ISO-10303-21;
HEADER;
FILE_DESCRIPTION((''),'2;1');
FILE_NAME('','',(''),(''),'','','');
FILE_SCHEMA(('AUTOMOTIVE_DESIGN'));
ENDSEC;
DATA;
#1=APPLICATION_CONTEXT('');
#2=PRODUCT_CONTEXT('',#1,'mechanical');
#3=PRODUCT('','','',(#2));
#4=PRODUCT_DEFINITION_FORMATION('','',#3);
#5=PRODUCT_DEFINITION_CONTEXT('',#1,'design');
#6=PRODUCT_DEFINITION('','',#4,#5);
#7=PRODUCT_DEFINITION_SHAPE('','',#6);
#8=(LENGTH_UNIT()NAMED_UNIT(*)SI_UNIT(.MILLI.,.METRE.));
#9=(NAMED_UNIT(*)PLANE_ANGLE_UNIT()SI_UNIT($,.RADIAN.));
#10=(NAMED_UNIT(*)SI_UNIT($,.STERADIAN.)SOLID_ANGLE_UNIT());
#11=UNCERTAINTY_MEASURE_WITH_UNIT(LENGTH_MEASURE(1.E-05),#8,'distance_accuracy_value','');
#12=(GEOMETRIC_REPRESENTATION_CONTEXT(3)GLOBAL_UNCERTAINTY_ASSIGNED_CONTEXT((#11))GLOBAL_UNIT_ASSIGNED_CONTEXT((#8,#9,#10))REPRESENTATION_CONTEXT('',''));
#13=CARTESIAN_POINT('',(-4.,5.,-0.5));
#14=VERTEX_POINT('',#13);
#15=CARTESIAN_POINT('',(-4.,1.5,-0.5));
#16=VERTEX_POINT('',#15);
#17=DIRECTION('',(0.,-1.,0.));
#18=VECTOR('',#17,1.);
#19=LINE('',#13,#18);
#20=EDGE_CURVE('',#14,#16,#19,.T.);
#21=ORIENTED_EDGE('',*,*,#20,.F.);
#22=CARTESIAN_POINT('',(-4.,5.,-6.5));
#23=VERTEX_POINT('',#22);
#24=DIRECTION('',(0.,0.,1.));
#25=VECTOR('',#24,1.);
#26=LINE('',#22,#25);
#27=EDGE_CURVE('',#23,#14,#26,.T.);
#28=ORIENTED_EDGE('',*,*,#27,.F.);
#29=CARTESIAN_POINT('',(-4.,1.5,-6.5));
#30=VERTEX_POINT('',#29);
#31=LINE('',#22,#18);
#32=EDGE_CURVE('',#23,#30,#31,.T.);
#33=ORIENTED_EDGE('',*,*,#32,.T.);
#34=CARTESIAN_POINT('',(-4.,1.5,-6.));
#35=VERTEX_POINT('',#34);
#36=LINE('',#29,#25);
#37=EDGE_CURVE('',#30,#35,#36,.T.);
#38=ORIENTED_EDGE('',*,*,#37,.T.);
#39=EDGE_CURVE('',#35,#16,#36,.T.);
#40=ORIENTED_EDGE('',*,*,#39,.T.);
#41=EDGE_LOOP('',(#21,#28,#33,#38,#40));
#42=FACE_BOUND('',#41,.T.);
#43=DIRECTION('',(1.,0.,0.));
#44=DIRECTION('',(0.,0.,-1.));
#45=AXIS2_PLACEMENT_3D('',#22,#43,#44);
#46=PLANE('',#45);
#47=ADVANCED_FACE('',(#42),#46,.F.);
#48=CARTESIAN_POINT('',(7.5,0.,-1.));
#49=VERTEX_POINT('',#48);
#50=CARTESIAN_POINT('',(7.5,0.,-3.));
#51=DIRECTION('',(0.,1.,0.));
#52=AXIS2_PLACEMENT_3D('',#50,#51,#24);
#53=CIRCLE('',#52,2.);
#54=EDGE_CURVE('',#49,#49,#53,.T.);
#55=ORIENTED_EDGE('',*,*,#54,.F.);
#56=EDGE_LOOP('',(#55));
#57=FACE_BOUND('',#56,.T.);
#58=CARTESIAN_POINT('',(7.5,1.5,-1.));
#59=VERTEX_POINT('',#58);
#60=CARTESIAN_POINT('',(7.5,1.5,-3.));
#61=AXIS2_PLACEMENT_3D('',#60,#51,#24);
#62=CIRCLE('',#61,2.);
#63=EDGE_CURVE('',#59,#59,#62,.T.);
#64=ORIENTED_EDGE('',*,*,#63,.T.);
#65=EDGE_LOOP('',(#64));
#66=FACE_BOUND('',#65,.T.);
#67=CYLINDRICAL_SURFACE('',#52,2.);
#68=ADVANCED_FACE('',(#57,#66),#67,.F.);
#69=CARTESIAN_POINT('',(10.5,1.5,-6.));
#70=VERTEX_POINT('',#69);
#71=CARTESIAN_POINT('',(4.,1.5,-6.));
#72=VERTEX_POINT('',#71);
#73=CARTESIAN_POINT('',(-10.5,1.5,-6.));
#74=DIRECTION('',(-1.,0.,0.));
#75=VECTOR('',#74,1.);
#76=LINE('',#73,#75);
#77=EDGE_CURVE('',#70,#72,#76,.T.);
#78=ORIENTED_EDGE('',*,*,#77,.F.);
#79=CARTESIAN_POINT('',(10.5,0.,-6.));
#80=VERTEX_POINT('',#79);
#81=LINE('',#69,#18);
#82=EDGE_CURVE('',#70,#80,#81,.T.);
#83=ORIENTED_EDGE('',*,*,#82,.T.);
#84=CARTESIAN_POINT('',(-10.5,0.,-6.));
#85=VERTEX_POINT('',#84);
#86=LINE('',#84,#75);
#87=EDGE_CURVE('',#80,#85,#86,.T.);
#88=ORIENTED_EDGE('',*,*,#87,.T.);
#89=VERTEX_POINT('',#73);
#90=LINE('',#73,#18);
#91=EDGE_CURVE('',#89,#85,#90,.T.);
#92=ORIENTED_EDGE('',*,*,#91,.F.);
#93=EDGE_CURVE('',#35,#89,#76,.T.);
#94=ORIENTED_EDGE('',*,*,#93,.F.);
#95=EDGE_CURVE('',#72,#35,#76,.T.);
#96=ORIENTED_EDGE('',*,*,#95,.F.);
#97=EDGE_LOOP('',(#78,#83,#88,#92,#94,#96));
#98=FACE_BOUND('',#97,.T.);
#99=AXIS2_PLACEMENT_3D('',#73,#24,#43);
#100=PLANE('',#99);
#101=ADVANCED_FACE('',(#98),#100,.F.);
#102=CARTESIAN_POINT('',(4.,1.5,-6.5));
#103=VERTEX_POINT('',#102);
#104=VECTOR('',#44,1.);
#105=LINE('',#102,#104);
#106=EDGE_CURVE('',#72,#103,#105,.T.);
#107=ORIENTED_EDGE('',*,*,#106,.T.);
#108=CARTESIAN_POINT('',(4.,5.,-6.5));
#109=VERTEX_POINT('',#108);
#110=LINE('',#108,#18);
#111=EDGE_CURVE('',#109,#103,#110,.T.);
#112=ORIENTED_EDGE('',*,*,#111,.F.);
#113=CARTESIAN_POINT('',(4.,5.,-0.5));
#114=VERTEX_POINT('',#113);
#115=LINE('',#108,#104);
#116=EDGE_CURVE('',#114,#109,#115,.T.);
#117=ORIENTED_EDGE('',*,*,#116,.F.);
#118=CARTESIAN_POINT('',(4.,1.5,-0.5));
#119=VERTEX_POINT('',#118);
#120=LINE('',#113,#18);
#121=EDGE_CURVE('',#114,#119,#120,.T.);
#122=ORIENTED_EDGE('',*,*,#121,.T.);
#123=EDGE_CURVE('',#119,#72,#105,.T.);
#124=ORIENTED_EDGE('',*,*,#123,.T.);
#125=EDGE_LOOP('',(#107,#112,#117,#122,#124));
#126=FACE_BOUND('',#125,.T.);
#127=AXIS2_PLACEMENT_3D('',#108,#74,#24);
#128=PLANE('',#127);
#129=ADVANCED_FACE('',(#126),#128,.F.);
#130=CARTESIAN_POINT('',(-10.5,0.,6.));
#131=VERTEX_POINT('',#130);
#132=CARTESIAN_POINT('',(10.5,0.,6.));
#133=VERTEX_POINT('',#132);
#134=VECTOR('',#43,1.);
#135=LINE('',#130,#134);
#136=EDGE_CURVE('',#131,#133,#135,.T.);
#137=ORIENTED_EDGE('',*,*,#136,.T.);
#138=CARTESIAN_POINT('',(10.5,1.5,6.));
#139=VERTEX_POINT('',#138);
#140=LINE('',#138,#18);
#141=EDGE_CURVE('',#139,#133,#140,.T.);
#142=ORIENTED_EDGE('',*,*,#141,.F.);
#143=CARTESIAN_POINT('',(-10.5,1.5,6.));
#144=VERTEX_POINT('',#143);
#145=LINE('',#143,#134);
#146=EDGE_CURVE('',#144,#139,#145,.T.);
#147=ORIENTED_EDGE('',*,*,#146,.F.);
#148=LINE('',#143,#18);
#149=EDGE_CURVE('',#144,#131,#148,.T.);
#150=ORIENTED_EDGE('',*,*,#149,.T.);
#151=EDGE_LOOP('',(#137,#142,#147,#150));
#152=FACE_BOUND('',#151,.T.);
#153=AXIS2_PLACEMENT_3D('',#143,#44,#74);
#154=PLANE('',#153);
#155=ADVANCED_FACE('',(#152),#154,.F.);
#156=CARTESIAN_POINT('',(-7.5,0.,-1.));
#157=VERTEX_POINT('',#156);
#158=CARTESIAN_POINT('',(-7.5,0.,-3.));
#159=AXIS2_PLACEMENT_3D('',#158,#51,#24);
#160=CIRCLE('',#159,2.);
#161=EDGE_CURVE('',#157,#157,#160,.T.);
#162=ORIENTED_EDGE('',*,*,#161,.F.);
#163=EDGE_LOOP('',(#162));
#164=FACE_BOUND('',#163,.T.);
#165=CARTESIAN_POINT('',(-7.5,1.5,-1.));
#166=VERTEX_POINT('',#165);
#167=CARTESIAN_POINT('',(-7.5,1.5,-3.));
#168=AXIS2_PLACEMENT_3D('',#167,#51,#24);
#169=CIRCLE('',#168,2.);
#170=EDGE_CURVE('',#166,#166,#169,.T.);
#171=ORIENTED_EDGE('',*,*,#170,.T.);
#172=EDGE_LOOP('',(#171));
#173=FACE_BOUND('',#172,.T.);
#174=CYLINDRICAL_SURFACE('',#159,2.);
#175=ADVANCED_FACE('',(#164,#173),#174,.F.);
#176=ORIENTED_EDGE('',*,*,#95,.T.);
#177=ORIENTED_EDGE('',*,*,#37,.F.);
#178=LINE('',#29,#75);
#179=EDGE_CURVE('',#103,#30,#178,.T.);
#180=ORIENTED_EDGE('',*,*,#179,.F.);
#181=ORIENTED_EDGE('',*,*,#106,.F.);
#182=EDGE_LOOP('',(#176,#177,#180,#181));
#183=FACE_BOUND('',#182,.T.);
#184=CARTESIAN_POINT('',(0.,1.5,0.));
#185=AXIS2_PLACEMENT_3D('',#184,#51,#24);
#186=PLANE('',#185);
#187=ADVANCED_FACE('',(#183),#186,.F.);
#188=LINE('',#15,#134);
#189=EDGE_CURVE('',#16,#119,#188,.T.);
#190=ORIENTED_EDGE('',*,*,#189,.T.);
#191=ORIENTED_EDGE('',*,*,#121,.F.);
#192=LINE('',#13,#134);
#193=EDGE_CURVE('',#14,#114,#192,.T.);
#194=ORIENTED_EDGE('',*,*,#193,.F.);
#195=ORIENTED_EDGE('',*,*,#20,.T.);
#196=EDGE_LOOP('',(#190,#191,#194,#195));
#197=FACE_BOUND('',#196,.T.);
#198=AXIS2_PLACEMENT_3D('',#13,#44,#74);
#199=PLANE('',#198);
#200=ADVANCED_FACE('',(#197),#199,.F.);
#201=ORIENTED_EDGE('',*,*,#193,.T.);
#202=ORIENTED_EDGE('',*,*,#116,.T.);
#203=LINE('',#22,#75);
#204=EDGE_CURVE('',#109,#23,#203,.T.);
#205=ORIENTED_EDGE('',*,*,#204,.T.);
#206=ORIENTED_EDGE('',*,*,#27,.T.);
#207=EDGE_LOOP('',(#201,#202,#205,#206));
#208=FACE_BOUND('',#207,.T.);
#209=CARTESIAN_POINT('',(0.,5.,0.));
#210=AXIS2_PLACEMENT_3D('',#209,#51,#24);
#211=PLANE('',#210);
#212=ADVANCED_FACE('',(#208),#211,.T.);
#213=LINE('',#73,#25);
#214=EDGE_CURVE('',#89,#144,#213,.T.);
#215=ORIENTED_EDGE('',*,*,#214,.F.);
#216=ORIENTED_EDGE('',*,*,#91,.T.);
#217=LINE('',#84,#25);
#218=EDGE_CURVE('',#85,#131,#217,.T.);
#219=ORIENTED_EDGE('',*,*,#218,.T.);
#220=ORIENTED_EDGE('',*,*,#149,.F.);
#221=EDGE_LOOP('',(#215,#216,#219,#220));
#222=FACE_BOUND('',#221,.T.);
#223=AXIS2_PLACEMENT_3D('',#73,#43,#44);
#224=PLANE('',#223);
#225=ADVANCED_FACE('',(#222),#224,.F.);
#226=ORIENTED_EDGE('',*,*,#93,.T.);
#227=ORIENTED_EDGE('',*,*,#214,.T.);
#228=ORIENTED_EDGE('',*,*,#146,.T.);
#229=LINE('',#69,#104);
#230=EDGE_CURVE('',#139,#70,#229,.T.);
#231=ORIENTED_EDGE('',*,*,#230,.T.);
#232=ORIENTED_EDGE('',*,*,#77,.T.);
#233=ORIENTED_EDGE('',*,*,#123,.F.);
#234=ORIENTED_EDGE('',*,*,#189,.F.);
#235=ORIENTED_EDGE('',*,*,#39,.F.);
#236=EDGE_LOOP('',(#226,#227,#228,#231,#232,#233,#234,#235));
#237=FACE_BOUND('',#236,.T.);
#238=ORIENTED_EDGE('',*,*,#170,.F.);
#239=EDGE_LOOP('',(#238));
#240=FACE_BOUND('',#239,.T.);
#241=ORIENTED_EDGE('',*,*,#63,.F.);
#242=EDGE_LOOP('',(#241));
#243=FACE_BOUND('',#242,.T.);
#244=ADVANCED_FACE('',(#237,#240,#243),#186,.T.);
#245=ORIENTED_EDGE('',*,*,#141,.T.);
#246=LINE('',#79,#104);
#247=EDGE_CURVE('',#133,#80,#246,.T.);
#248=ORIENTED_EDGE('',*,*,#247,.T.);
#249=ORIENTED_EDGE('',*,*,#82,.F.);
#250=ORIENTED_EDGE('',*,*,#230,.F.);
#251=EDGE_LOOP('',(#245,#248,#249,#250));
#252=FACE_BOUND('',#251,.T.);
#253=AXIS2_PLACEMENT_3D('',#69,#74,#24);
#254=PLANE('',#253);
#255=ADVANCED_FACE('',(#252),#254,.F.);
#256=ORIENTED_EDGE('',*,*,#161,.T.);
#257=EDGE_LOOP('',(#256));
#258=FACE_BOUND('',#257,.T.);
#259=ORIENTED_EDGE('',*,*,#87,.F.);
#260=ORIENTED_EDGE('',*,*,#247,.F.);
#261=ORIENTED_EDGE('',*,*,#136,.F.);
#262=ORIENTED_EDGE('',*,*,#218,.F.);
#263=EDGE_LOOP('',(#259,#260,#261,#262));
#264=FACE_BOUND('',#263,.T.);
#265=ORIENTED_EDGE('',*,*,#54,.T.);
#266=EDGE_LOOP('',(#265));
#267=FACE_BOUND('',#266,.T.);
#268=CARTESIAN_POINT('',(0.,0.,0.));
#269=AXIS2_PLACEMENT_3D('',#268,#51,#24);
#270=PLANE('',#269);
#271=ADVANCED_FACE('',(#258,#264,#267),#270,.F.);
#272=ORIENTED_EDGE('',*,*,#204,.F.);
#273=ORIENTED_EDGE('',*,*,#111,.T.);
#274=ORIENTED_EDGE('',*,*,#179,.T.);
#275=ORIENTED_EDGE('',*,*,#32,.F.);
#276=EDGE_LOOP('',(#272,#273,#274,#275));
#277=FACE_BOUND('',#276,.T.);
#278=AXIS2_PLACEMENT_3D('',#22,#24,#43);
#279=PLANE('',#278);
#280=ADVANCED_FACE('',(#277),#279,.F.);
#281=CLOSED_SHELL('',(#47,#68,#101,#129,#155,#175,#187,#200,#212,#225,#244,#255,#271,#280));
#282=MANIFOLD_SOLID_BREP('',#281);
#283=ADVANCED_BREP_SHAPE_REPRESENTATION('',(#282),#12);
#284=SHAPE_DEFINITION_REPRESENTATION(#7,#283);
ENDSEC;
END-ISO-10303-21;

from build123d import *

# Parameters (mm, degrees)
SKETCH1_W           = 21
SKETCH1_H           = 12
BOSS_EXTRUDE1_DEPTH = 1.5
SKETCH2_R           = 2
CUT_EXTRUDE1_DEPTH  = 1.5
SKETCH3_W           = 8
SKETCH3_H           = 6
BOSS_EXTRUDE2_DEPTH = 3.5


with BuildPart() as part:
    # Sketch1 → Boss-Extrude1 (new body)
    with BuildSketch(Plane(origin=(0, 0, 0), x_dir=(1, 0, 0), z_dir=(0, 1, 0))):
        Rectangle(SKETCH1_W, SKETCH1_H)
    extrude(amount=BOSS_EXTRUDE1_DEPTH)

    # Sketch2 → Cut-Extrude1 (cut)
    with BuildSketch(Plane(origin=(0, 1.5, 0), x_dir=(1, 0, 0), z_dir=(0, 1, 0))):
        with Locations(Location((-7.5, 3, 0), (0, 0, 270))):
            Circle(SKETCH2_R)
        with Locations(Location((7.5, 3, 0), (0, 0, 270))):
            Circle(SKETCH2_R)
    extrude(amount=-CUT_EXTRUDE1_DEPTH, mode=Mode.SUBTRACT)

    # Sketch3 → Boss-Extrude2 (add)
    with BuildSketch(Plane(origin=(0, 1.5, 0), x_dir=(1, 0, 0), z_dir=(0, 1, 0))):
        with Locations((0, 3.5)):
            Rectangle(SKETCH3_W, SKETCH3_H)
    extrude(amount=BOSS_EXTRUDE2_DEPTH)


solid = part.part
